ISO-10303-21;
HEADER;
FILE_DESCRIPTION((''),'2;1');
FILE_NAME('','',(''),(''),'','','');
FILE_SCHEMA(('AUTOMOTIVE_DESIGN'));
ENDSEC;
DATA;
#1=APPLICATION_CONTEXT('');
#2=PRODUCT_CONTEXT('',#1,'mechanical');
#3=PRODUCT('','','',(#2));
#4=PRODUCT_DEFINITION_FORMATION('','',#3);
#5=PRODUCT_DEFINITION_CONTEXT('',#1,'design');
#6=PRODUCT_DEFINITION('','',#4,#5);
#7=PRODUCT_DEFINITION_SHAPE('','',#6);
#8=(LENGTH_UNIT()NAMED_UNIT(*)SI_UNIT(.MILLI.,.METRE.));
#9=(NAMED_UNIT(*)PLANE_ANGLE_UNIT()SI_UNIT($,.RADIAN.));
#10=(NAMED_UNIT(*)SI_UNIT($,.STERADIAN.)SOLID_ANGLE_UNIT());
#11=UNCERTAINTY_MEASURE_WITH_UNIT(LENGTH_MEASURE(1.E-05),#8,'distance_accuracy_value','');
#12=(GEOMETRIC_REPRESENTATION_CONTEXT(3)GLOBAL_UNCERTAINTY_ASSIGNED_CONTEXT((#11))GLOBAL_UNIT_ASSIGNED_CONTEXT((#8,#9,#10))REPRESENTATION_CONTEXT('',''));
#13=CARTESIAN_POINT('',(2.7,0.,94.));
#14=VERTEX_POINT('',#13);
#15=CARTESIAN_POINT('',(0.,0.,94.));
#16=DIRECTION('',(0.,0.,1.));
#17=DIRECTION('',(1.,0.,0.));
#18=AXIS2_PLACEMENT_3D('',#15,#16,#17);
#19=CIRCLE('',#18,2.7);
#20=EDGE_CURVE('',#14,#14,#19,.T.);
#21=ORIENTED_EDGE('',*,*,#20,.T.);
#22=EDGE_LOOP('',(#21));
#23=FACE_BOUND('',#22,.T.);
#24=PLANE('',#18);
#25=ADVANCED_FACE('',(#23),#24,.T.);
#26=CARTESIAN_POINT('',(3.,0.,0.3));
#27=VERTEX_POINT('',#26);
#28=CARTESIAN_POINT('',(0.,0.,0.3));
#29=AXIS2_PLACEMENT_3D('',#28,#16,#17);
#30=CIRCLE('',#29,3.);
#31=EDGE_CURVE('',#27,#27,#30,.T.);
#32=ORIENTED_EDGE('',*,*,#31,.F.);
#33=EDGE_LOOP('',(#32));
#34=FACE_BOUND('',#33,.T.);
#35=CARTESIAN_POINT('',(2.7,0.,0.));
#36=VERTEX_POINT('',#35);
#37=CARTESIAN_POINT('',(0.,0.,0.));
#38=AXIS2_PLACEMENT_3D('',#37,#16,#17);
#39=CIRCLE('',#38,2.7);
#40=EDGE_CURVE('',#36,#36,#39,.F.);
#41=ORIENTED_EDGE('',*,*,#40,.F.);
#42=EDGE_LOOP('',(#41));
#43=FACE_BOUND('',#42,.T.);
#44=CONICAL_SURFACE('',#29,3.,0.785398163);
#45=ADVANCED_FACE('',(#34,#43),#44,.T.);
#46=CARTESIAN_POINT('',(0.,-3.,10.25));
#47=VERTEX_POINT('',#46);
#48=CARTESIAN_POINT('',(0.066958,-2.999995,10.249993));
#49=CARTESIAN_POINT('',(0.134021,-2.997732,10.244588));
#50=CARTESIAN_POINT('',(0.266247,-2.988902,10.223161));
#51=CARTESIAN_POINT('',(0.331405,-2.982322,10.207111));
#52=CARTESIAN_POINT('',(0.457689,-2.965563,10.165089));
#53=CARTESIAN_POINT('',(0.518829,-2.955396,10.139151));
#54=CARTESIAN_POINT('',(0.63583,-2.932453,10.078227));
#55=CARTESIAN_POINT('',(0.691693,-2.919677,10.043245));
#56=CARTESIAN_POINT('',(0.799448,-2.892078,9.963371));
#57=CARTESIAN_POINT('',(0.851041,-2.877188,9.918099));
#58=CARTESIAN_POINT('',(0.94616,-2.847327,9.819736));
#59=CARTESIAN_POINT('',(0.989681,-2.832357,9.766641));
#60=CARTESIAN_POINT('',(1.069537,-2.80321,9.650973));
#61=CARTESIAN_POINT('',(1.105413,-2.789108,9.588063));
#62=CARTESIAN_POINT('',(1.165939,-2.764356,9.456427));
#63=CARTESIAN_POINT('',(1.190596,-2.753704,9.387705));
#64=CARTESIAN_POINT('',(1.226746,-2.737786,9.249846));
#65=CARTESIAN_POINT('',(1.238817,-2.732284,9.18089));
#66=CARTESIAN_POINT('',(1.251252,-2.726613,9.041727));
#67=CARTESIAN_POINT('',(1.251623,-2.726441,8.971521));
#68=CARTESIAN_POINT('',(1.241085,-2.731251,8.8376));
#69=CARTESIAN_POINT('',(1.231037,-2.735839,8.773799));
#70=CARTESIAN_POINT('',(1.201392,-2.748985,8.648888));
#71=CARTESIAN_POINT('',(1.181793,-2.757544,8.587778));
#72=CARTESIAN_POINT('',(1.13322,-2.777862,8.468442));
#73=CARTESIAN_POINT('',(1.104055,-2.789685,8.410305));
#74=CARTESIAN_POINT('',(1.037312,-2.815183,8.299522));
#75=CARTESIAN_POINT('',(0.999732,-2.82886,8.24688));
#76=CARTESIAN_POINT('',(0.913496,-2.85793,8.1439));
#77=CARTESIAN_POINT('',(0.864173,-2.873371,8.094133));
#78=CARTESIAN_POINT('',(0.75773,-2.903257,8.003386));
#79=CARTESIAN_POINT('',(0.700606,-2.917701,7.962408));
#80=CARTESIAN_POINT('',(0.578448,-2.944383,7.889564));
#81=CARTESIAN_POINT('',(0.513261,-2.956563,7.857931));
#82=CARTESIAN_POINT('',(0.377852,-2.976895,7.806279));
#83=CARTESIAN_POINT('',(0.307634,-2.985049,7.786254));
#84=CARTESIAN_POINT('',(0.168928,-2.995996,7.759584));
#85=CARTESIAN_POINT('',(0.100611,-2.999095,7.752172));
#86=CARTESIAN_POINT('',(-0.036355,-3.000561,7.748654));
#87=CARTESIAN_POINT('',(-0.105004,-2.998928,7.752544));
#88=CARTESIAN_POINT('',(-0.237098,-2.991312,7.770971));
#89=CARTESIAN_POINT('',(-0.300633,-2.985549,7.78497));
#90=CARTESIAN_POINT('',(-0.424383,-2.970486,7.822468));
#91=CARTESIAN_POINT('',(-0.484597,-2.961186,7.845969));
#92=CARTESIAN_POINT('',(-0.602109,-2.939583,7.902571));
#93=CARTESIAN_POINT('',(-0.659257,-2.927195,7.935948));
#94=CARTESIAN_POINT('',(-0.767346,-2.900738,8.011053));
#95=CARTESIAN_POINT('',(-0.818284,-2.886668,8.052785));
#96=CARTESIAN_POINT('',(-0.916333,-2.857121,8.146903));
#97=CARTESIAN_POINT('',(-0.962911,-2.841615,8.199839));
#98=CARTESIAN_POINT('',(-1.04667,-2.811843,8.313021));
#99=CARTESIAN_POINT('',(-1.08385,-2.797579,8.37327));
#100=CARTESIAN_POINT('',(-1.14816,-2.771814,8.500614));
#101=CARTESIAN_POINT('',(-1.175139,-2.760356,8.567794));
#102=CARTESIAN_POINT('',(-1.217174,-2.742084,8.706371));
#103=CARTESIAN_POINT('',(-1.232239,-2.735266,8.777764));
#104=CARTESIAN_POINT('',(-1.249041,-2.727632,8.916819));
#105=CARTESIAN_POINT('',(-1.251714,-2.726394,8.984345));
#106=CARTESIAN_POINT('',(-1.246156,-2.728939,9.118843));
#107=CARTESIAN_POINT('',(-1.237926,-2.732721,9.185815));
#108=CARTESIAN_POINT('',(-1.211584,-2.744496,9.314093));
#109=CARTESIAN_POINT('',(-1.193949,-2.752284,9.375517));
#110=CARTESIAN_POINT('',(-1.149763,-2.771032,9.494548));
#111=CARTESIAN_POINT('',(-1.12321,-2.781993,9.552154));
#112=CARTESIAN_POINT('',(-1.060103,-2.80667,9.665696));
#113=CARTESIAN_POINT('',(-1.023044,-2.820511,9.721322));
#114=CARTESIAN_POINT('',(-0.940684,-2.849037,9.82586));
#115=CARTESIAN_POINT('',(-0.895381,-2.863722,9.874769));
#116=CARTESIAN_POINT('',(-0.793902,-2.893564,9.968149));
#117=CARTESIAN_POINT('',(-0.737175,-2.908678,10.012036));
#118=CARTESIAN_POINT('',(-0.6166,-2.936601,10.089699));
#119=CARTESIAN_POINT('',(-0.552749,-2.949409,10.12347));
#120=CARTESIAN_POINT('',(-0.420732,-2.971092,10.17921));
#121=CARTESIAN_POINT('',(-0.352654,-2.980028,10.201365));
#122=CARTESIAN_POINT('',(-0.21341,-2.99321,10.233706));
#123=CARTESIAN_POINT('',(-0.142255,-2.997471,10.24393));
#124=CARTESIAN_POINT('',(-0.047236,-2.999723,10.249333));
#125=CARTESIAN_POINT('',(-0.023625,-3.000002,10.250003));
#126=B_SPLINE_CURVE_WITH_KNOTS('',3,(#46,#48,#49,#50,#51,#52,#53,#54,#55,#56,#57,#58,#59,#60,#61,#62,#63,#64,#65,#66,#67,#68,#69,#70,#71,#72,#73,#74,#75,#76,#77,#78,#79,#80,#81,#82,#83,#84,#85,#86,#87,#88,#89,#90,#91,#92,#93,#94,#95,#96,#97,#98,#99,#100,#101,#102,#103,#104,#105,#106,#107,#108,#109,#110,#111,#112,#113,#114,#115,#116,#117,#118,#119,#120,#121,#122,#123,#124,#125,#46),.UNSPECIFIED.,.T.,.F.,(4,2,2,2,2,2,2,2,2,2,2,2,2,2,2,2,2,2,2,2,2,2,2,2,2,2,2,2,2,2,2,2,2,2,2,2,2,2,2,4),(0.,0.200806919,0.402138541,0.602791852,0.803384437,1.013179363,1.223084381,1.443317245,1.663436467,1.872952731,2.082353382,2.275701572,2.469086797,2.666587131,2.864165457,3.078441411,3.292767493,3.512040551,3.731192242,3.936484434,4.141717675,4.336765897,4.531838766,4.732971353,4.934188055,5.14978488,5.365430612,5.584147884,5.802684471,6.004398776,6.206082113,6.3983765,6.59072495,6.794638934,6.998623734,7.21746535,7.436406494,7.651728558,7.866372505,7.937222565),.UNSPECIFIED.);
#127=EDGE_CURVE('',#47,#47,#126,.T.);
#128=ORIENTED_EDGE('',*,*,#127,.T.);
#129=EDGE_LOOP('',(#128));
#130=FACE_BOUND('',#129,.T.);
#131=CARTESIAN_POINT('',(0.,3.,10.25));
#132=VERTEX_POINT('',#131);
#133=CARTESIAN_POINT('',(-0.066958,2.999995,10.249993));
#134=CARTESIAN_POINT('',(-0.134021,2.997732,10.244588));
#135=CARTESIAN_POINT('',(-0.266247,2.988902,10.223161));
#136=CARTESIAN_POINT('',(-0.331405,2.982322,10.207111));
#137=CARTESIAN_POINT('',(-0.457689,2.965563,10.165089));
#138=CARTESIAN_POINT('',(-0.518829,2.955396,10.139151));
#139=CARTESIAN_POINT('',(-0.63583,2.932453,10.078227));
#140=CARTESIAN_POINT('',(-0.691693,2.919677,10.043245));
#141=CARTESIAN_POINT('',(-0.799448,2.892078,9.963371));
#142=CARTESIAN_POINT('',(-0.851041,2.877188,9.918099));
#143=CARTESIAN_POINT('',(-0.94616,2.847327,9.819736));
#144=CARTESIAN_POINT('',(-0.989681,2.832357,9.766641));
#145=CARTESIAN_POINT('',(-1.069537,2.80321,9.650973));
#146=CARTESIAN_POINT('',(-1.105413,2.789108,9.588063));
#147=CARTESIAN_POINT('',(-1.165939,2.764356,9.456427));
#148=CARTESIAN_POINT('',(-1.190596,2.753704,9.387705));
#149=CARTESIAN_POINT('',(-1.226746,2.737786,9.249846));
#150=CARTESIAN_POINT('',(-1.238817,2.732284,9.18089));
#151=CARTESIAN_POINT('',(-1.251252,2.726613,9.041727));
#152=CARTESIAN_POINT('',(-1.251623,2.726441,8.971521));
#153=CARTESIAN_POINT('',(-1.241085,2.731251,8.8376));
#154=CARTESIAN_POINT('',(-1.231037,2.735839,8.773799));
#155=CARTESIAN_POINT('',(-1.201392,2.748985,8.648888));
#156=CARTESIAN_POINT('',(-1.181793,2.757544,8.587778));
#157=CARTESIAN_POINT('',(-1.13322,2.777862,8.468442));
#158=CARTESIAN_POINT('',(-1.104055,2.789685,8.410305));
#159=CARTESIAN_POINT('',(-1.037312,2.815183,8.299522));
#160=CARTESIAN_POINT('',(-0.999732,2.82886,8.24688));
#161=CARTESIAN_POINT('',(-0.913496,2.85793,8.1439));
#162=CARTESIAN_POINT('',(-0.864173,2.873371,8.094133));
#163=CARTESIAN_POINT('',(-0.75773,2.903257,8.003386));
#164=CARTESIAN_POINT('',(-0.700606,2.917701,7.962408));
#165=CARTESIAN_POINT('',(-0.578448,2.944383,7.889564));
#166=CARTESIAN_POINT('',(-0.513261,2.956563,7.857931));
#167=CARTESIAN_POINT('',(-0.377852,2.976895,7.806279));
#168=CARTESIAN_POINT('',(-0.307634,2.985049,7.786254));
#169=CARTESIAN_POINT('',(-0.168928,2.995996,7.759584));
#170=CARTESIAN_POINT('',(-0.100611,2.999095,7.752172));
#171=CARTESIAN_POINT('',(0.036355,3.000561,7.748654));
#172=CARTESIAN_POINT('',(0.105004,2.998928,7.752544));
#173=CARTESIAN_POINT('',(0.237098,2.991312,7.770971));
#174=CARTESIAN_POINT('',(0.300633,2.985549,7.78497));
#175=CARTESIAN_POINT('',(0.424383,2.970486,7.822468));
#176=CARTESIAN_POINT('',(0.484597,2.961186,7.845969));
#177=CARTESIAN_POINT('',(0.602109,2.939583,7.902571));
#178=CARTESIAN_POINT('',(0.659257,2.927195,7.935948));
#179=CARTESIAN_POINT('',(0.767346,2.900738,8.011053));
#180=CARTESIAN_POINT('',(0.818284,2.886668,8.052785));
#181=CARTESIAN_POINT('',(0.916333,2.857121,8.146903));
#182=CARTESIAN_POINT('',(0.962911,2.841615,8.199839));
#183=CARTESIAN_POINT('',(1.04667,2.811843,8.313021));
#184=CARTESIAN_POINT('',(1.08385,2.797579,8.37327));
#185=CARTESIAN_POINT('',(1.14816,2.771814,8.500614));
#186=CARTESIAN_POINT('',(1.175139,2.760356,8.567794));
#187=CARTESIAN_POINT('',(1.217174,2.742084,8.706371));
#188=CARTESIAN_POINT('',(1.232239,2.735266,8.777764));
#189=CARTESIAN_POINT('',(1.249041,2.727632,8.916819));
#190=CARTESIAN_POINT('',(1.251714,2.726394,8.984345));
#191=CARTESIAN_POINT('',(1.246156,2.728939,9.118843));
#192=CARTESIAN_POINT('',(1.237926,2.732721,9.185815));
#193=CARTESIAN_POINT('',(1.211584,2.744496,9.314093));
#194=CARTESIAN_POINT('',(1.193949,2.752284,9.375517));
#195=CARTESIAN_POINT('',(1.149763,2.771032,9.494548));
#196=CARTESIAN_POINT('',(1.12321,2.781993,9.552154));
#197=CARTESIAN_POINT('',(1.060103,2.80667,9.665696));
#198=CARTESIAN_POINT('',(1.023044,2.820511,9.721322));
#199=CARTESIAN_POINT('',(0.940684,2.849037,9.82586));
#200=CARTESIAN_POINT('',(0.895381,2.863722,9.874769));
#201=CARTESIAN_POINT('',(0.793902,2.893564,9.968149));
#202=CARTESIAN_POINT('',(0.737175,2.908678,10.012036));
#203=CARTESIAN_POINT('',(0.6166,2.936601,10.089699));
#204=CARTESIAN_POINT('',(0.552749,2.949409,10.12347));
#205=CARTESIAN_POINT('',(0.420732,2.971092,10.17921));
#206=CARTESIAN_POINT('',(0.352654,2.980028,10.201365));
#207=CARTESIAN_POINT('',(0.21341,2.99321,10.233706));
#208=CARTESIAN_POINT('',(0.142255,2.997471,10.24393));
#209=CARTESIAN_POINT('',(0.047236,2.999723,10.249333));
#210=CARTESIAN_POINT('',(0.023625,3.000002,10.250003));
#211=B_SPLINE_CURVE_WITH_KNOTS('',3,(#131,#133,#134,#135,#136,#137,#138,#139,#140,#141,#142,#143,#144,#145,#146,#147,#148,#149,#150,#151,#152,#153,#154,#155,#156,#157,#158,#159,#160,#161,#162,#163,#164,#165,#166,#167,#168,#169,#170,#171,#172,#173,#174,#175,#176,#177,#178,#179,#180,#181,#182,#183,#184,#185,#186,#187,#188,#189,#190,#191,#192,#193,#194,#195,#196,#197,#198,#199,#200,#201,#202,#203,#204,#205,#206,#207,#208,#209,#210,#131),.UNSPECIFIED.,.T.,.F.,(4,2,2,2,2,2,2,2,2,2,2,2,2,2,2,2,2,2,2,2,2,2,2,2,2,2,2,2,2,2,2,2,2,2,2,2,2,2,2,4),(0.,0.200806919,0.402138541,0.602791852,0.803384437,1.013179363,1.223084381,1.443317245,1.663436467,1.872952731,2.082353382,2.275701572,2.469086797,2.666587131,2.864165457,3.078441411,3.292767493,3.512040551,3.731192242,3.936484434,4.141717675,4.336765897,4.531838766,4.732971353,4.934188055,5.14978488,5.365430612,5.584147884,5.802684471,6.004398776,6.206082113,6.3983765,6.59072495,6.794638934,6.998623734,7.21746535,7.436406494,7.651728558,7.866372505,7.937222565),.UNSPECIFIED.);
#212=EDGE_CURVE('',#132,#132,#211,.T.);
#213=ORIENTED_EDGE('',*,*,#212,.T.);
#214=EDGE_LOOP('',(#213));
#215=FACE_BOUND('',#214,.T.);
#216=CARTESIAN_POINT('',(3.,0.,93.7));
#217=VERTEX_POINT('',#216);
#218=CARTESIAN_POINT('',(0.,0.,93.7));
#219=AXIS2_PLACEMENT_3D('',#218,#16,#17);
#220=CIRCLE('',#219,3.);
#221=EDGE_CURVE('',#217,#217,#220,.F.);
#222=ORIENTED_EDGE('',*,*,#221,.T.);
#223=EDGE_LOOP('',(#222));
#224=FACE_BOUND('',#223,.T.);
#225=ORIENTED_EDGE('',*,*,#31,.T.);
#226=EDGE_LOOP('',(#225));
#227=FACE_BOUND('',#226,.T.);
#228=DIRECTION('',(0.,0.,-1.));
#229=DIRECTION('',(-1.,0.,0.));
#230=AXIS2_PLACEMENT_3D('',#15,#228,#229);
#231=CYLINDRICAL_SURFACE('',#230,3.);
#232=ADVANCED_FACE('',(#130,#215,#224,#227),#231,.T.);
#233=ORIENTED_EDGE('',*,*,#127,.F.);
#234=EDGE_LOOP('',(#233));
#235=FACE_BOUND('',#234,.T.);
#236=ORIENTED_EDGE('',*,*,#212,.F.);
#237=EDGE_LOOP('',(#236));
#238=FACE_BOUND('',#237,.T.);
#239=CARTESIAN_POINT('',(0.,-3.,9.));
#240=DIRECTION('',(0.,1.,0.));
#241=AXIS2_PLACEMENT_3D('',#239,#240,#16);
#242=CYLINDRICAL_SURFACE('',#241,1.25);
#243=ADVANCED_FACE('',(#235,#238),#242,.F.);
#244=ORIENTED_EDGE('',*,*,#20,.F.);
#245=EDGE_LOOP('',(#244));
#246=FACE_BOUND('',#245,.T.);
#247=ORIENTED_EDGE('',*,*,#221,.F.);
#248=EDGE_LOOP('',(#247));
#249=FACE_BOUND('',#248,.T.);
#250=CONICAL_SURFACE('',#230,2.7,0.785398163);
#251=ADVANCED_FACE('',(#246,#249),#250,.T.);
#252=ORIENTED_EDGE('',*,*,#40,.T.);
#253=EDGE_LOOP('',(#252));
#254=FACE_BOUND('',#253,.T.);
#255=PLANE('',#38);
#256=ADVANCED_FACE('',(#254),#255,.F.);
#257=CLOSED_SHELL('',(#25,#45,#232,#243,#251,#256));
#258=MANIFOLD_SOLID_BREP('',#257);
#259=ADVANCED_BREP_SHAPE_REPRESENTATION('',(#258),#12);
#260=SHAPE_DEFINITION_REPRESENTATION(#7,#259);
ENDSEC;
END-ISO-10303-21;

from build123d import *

# Parameters (mm, degrees)
ESQUISSE1_R                  = 3
BOSS_EXTRU_1_DEPTH           = 94
ENL_V_MAT_EXTRU_1_DEPTH      = 95.09569597
ENL_V_MAT_EXTRU_1_DEPTH_BACK = 95.09569597
ESQUISSE2_R                  = 1.25
CHANFREIN1_SIZE              = 0.3


with BuildPart() as part:
    # Esquisse1 → Boss.-Extru.1 (new body)
    with BuildSketch(Plane.XY):
        Circle(ESQUISSE1_R)
    extrude(amount=BOSS_EXTRU_1_DEPTH)

    # Esquisse2 → Enlèv. mat.-Extru.1 (cut, two sides: drawn at the far end of the back side and taken through both)
    with BuildSketch(Plane(origin=(0, 0, 0), x_dir=(1, 0, 0), z_dir=(0, 1, 0)).offset(-ENL_V_MAT_EXTRU_1_DEPTH_BACK)):
        with Locations(Location((0, -9, 0), (0, 0, 270))):
            Circle(ESQUISSE2_R)
    extrude(amount=ENL_V_MAT_EXTRU_1_DEPTH + ENL_V_MAT_EXTRU_1_DEPTH_BACK, mode=Mode.SUBTRACT)

    # Chanfrein1
    chanfrein1_edges = [part.edges().sort_by_distance(p)[0] for p in [
        (-3, 0, 0),
        (-3, 0, 94),
    ]]
    chamfer(chanfrein1_edges, length=CHANFREIN1_SIZE)


solid = part.part
